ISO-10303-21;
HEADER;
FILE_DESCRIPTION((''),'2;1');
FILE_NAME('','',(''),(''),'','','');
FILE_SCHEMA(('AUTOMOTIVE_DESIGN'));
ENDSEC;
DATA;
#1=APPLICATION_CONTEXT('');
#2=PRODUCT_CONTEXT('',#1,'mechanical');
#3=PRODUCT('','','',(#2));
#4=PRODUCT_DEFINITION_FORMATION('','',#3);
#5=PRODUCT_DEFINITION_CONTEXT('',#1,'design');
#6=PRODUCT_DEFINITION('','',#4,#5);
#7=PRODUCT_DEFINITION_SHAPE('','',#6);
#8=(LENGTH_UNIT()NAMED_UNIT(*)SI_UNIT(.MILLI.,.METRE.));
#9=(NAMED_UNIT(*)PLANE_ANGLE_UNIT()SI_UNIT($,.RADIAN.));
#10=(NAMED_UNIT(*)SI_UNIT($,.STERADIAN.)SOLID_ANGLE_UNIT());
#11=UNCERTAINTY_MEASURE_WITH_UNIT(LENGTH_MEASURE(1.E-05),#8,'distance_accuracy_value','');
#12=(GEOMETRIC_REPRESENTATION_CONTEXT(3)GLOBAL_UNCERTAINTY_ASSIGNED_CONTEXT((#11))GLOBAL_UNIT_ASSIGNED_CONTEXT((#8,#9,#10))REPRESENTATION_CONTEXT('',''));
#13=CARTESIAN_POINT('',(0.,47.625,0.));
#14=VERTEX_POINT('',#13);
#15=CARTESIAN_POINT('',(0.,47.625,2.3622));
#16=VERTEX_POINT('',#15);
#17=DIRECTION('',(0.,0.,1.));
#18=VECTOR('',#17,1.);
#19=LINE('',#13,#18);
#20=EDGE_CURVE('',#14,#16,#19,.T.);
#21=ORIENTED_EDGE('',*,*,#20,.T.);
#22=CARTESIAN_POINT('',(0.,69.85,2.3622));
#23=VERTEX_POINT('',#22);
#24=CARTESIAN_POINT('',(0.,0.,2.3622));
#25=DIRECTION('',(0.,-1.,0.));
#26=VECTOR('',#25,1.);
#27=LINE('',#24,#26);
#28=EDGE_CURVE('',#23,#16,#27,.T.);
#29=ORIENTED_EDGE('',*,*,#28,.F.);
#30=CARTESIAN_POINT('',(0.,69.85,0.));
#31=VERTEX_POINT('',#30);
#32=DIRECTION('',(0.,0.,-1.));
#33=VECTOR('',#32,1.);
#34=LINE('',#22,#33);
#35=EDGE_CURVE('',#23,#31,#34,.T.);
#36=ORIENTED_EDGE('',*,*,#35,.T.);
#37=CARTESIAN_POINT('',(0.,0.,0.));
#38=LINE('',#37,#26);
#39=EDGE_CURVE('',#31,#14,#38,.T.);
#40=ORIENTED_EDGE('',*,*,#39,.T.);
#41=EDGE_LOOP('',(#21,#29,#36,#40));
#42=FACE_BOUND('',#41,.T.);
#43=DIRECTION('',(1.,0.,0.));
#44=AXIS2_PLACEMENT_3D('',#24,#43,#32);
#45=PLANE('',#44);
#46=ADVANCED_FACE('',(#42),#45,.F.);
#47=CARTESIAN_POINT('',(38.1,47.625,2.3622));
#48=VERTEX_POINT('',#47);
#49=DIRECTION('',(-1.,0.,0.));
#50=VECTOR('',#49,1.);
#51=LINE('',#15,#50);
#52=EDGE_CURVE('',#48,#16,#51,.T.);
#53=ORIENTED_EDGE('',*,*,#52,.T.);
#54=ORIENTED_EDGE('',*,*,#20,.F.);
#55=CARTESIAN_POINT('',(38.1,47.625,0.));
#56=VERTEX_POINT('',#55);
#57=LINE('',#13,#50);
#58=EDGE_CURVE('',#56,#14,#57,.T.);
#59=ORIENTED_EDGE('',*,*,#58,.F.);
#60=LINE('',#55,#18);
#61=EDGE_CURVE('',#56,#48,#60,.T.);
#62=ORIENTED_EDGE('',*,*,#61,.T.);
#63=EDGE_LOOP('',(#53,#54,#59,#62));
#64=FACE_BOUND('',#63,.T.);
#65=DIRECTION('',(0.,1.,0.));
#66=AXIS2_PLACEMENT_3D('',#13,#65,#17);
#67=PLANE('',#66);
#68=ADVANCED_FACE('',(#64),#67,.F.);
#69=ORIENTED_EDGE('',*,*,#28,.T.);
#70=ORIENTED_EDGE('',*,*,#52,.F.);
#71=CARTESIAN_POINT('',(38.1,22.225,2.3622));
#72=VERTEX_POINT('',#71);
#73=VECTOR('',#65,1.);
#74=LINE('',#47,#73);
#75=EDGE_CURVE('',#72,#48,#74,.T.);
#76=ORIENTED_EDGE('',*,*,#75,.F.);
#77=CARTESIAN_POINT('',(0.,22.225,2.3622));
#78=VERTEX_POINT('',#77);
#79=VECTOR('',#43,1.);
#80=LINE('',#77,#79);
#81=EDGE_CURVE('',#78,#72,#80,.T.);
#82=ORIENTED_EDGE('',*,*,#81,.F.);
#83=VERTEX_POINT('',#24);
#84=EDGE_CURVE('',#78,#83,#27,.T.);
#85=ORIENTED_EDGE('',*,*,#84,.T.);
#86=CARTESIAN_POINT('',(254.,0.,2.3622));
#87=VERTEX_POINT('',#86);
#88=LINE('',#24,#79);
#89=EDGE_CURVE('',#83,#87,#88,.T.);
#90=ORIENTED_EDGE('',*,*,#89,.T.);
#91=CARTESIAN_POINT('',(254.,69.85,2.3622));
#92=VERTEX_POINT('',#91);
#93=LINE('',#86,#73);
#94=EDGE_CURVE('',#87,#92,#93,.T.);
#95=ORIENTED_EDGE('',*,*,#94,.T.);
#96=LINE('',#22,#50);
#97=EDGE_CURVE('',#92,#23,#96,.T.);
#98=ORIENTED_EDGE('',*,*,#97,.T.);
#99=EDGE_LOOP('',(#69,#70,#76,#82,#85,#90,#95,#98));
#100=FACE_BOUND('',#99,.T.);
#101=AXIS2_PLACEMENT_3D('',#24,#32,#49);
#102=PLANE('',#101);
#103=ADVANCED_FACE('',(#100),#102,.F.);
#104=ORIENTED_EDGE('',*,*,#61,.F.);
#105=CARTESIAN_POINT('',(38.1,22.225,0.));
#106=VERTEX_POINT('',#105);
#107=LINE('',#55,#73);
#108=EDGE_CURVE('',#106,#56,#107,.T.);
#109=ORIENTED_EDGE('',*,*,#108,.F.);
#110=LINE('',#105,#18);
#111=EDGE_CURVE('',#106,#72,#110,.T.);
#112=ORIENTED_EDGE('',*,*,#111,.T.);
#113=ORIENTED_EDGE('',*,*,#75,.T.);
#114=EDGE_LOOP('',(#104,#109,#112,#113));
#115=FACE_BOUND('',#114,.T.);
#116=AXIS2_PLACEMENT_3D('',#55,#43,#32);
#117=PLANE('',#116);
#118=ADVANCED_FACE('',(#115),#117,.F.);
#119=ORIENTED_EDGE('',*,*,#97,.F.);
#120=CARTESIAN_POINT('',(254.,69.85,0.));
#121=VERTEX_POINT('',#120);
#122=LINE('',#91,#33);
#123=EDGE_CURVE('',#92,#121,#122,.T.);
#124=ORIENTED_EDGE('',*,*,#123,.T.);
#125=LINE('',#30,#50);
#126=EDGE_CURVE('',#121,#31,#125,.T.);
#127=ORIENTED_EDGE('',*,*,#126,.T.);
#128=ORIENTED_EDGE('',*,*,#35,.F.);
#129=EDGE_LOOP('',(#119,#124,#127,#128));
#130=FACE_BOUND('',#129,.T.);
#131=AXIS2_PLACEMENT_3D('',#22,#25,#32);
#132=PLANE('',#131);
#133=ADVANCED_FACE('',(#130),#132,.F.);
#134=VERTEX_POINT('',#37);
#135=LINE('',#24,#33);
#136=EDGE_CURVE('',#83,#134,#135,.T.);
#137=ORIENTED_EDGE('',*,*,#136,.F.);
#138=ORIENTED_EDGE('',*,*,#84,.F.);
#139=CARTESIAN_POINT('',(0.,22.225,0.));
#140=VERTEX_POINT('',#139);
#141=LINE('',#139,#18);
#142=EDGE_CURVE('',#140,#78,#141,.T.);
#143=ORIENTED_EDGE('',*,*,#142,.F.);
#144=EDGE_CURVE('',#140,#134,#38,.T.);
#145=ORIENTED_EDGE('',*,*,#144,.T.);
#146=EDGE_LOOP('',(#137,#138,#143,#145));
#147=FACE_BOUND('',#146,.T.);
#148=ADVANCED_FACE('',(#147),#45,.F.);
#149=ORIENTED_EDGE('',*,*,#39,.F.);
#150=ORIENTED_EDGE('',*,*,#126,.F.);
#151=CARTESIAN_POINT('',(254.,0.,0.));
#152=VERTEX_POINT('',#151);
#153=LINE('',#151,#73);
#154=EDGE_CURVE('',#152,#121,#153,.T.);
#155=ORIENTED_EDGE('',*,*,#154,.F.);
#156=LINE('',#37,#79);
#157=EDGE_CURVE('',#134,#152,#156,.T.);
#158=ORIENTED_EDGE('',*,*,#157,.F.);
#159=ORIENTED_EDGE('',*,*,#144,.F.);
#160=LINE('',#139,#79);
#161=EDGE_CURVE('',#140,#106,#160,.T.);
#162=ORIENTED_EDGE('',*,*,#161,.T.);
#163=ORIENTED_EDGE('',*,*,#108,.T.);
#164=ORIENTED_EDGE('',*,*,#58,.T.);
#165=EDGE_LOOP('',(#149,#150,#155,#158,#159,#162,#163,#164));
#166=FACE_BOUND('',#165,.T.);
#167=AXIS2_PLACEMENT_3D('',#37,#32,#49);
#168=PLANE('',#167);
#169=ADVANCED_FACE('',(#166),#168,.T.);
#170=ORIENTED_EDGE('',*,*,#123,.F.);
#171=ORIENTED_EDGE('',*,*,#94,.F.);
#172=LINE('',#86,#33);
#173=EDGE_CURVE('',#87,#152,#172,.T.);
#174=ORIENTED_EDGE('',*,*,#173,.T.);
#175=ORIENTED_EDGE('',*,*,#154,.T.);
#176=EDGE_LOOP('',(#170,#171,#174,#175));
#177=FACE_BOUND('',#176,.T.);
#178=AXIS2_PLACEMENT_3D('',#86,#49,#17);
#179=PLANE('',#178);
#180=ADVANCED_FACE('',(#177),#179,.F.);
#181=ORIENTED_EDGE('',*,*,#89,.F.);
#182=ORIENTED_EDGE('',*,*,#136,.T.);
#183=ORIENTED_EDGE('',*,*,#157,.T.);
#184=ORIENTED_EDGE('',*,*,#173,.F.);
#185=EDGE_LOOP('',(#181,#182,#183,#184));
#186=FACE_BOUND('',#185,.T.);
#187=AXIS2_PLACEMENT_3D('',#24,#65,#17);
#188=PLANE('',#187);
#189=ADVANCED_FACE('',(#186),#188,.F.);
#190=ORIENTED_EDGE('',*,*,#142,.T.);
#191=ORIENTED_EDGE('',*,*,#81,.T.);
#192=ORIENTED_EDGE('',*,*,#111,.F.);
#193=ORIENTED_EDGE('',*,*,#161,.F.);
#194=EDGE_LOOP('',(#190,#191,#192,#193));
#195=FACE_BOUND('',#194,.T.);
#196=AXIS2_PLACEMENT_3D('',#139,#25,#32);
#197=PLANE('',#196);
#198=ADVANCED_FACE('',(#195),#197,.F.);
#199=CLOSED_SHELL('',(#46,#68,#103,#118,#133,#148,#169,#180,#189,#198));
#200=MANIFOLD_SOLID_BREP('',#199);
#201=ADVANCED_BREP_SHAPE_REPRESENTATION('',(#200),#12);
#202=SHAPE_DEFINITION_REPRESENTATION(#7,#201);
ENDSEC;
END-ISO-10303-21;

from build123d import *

# Parameters (mm, degrees)
SKETCH1_W           = 254
SKETCH1_H           = 69.85
BOSS_EXTRUDE1_DEPTH = 2.3622
SKETCH2_W           = 38.1
SKETCH2_H           = 25.4
CUT_EXTRUDE1_DEPTH  = 264.439940952


with BuildPart() as part:
    # Sketch1 → Boss-Extrude1 (new body)
    with BuildSketch(Plane.XY):
        with Locations((127, 34.925)):
            Rectangle(SKETCH1_W, SKETCH1_H)
    extrude(amount=BOSS_EXTRUDE1_DEPTH)

    # Sketch2 → Cut-Extrude1 (cut, through all)
    with BuildSketch(Plane.XY.offset(2.3622)):
        with Locations((19.05, 34.925)):
            Rectangle(SKETCH2_W, SKETCH2_H)
    extrude(amount=-CUT_EXTRUDE1_DEPTH, mode=Mode.SUBTRACT)


solid = part.part
